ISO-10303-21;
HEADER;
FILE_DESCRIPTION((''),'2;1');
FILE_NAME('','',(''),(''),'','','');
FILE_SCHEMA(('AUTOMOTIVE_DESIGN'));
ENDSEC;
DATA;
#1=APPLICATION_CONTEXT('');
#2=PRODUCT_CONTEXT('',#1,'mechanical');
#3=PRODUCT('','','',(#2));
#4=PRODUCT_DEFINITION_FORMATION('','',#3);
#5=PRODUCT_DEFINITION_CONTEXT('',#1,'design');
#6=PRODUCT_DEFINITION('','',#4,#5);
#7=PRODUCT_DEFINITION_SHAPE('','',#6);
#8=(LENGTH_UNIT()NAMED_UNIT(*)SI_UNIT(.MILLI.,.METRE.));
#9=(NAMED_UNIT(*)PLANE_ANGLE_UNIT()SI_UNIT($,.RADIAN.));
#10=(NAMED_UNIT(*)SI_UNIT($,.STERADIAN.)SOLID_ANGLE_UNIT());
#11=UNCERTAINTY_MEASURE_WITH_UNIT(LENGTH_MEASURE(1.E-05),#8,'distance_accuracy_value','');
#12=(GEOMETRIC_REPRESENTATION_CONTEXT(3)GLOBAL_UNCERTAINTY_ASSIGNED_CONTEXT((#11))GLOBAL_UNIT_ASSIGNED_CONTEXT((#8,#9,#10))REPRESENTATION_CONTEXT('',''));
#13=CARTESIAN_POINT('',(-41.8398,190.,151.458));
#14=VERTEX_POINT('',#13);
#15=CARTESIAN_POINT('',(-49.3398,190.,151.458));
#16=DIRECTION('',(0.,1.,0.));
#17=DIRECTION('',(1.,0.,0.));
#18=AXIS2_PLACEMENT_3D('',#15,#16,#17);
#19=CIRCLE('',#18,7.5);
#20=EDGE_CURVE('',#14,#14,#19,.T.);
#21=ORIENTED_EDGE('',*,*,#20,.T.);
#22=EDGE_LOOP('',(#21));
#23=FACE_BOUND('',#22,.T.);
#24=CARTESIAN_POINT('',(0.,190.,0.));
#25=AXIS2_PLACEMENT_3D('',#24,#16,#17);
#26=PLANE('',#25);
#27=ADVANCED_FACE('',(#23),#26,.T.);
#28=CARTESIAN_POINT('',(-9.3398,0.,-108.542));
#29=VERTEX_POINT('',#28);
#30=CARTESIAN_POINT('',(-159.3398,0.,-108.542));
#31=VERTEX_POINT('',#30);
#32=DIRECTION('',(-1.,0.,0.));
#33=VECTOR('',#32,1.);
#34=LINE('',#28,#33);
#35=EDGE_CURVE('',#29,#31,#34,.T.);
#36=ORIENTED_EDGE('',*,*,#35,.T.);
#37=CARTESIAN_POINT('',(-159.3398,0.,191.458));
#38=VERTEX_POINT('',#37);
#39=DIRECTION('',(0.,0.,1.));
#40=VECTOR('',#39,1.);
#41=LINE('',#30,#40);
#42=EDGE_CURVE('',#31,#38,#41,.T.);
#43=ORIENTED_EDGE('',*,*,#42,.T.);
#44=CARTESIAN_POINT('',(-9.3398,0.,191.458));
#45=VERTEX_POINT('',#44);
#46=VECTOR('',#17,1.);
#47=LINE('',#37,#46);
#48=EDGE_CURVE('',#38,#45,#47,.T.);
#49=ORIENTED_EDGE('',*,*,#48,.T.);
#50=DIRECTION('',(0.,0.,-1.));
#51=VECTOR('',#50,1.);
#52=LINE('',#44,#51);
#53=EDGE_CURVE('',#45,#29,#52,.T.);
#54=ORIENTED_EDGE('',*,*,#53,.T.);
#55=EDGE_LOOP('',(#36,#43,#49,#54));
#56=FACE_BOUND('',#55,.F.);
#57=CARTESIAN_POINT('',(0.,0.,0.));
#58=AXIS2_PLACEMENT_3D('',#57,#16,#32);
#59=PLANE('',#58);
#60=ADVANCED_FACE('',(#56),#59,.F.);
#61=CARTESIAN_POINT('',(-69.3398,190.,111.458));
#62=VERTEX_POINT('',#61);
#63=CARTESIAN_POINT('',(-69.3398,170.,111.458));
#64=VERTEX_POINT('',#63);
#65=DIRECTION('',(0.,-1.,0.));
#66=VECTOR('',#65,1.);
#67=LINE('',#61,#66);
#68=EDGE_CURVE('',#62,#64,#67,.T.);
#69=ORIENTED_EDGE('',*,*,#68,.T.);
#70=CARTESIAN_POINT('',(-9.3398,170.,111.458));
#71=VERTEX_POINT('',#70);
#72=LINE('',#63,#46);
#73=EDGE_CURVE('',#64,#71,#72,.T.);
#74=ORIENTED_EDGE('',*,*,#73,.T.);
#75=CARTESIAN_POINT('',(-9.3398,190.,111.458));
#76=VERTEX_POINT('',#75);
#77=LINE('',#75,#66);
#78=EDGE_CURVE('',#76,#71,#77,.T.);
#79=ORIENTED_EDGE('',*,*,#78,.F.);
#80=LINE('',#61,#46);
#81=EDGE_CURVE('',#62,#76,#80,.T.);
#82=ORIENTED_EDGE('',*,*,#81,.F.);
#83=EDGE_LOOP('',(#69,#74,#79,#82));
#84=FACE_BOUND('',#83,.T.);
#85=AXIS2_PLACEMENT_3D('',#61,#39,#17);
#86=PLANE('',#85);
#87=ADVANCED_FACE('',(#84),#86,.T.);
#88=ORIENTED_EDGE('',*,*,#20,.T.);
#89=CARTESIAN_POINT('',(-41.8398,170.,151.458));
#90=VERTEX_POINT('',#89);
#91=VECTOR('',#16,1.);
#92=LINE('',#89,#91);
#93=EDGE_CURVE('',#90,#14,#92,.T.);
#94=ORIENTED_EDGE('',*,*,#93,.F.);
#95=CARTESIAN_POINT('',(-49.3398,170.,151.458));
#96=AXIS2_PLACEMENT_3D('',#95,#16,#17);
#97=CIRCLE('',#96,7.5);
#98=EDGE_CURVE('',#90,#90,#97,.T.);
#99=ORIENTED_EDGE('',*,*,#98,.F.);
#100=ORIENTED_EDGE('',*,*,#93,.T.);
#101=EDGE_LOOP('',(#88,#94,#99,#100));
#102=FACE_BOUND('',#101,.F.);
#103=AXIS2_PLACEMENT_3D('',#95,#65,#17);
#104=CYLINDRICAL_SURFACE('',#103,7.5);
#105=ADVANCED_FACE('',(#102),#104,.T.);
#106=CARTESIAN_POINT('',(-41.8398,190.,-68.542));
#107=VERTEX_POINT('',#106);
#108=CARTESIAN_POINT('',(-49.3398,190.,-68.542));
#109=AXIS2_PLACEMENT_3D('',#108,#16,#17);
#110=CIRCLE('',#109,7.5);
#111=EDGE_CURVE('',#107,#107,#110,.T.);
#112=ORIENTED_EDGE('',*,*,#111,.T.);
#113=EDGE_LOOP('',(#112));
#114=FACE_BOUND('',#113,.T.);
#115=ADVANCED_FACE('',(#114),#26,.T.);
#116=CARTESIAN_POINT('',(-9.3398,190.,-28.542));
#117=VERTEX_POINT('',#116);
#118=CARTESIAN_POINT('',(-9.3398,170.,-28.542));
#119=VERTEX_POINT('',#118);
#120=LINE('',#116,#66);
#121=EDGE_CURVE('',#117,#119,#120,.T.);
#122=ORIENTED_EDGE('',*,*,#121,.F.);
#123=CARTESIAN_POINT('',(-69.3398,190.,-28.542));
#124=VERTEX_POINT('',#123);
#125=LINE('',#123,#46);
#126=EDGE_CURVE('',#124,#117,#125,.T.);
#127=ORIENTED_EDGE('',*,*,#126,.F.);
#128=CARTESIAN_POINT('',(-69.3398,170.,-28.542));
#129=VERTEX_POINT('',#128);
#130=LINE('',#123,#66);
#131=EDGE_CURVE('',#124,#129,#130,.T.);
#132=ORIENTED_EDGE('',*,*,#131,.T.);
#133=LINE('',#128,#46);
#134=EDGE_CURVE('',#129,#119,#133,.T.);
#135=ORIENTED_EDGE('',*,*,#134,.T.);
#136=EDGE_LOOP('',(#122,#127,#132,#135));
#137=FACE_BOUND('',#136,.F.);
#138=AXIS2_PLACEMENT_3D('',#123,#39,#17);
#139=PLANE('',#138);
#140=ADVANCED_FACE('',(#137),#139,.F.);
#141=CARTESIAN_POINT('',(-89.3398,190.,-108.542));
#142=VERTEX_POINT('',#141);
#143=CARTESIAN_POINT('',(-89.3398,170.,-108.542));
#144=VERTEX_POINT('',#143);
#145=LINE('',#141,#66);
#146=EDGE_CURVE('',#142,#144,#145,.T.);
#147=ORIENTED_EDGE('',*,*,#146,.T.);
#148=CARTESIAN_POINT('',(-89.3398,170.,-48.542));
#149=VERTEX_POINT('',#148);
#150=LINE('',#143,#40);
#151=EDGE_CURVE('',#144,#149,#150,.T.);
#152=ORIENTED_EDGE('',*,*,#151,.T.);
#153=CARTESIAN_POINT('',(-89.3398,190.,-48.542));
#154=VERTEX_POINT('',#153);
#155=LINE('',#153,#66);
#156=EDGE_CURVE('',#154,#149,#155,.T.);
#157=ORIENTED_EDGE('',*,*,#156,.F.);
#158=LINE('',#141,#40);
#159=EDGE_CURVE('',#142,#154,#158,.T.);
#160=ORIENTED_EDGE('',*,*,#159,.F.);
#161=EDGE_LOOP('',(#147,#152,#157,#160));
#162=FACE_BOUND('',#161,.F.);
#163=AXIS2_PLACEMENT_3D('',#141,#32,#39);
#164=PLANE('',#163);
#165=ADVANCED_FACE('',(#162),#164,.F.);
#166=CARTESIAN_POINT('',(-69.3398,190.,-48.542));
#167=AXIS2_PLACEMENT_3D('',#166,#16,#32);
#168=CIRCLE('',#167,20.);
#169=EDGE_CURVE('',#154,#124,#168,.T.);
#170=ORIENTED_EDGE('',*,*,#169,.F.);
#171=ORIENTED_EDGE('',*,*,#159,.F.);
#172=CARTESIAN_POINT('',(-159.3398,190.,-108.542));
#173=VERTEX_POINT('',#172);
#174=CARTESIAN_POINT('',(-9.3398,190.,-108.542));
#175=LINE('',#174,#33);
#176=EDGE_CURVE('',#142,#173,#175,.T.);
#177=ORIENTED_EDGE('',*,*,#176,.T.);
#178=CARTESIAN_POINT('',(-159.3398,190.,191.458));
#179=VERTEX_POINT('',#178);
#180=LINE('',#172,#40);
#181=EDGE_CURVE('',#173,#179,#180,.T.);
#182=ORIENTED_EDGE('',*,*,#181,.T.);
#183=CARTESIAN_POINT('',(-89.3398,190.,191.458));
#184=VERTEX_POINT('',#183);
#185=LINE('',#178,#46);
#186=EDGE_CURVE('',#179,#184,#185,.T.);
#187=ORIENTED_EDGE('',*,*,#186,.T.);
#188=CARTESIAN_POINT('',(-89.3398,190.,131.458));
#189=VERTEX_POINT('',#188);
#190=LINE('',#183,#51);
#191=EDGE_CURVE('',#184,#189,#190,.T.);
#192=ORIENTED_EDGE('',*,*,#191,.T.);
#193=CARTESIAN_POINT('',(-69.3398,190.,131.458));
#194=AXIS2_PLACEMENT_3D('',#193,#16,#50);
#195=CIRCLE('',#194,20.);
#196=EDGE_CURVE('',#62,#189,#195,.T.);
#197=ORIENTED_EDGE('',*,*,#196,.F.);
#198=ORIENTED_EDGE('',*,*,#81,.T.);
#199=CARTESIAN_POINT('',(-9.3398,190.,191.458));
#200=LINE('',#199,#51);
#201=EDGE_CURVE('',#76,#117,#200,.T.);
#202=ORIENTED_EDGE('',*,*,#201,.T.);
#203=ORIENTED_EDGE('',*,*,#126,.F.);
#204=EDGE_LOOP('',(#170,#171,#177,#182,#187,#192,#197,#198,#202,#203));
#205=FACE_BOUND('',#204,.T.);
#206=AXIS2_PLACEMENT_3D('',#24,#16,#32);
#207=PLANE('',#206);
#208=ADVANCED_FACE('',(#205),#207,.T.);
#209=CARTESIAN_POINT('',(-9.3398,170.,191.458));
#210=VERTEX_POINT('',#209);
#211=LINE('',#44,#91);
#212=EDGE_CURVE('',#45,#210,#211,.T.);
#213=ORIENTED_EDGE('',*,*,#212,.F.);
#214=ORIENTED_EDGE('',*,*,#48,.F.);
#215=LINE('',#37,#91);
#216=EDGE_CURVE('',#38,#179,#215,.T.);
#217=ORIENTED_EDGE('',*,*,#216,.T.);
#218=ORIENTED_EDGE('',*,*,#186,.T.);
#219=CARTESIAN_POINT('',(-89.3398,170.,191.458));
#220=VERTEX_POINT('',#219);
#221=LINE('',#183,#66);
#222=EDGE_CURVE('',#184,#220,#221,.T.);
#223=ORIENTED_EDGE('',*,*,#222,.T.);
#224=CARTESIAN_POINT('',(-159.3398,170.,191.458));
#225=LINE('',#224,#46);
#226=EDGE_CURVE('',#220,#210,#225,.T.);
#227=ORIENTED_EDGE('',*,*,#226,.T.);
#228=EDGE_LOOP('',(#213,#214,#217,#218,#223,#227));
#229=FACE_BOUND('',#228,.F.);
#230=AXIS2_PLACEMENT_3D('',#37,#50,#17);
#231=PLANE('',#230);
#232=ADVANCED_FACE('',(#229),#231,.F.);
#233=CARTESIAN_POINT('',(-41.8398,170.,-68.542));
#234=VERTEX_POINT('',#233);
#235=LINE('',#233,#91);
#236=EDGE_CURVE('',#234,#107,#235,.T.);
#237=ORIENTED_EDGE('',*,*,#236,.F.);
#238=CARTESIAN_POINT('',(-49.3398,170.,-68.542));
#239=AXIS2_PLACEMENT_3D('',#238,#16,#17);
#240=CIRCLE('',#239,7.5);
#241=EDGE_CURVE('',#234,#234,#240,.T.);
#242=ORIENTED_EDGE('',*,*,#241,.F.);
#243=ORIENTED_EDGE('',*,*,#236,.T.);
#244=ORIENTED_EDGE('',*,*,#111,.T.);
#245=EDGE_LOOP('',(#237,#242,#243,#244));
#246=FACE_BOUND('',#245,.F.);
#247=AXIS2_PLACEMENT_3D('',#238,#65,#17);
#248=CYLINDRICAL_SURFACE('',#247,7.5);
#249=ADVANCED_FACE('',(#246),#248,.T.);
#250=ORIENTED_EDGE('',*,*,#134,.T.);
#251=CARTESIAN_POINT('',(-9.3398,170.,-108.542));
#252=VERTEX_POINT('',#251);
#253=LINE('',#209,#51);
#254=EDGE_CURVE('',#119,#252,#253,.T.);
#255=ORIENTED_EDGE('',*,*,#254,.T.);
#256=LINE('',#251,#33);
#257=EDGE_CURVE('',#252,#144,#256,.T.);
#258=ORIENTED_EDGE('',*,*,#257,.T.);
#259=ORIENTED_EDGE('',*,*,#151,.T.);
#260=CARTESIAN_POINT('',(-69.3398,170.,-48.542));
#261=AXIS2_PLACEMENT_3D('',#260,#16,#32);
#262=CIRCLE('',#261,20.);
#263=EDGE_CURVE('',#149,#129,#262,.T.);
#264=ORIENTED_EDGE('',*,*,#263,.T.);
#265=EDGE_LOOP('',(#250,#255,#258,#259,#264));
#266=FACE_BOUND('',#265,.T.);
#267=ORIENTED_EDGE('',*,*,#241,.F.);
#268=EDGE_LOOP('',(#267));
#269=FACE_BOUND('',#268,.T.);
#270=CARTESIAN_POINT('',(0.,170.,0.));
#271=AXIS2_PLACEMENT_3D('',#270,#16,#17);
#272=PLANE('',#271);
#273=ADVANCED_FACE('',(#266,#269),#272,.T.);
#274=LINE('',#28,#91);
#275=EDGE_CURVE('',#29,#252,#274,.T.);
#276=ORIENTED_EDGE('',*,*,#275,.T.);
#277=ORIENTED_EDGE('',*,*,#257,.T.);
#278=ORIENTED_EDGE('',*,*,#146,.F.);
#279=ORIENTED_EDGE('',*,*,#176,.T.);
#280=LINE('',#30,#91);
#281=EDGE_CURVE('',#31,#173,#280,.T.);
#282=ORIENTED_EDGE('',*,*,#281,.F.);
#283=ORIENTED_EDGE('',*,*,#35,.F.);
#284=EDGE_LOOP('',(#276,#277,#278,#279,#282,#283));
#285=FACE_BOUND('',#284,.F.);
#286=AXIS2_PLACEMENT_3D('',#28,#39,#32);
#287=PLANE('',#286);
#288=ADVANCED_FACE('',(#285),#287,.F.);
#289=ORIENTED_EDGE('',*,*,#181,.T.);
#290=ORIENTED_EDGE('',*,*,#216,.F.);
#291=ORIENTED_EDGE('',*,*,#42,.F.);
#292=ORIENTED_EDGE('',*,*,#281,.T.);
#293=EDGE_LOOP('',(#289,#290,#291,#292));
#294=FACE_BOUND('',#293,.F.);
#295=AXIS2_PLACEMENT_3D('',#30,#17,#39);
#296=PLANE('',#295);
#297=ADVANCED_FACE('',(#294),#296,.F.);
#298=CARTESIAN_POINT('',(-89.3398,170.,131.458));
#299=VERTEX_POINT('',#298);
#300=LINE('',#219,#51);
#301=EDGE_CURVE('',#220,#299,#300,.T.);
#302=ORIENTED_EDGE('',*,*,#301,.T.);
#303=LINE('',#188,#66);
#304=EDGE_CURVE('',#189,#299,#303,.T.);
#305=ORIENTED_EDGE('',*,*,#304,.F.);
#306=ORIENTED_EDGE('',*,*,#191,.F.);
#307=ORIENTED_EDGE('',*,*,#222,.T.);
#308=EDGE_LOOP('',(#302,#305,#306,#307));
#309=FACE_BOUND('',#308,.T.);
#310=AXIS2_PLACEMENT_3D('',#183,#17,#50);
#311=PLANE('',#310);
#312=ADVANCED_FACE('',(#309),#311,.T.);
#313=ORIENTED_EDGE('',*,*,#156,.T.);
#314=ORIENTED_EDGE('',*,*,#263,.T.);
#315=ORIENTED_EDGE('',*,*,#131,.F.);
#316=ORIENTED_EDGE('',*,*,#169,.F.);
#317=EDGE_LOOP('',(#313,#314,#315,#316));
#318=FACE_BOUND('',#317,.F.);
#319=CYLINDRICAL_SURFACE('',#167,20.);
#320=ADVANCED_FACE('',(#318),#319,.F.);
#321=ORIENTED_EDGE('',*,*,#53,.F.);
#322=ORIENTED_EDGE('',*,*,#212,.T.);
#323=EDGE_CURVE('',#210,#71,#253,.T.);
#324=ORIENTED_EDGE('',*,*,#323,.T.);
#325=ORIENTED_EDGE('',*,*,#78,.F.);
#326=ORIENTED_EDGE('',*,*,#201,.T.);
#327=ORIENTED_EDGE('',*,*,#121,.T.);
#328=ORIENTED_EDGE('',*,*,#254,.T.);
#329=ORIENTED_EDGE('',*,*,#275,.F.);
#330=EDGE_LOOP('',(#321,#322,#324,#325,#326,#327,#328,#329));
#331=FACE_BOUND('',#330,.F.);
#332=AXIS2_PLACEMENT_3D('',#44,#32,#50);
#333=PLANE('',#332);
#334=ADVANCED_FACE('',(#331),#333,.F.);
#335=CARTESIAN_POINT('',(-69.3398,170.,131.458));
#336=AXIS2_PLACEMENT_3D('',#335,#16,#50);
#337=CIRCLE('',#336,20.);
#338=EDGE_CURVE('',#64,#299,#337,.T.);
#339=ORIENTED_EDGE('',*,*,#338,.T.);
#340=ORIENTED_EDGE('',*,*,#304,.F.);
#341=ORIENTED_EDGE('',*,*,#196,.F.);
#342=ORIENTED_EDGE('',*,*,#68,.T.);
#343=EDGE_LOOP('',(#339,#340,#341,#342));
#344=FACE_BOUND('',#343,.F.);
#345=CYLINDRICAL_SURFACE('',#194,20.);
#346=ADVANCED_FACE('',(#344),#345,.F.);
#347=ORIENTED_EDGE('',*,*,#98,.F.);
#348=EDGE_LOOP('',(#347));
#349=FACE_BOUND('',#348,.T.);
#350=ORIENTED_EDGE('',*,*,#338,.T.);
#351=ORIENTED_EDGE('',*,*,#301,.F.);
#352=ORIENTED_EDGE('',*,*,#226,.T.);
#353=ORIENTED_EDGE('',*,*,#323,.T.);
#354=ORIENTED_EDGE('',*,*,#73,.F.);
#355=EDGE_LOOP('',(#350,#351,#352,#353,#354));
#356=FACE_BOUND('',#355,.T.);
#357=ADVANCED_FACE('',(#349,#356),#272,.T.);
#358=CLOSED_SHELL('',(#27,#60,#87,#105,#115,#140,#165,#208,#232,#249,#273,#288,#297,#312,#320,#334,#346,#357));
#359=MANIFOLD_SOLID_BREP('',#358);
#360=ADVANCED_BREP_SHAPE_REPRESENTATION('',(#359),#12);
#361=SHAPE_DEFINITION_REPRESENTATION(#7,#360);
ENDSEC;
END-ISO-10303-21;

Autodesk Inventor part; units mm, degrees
ref_plane "YZ Plane" through (0, 0, 0) normal (1, 0, 0) x (0, 1, 0)
ref_plane "XZ Plane" through (0, 0, 0) normal (0, 1, 0) x (-1, 0, 0)
ref_plane "XY Plane" through (0, 0, 0) normal (0, 0, 1) x (1, 0, 0)
sketch "Skizze1" plane through (0, 0, 0) normal (0, 1, 0) x (-1, 0, 0)
  line L0 (159.3398, 191.458) -> (9.3398, 191.458)
  line L1 (9.3398, 191.458) -> (9.3398, -108.542)
  line L2 (9.3398, -108.542) -> (159.3398, -108.542)
  line L3 (159.3398, -108.542) -> (159.3398, 191.458)
  point P0 (0, 0)
  dimension "d0" = 300
  dimension "d1" = 150
extrude "Extrusion1" add sketch "Skizze1" along normal blind 190
sketch "Skizze2" plane through (0, 190, 0) normal (0, 1, 0) x (1, 0, 0)
  line L0 (-9.3398, 108.542) -> (-159.3398, 108.542) projected
  line L1 (-159.3398, -191.458) -> (-9.3398, -191.458) projected
  line L2 (-9.3398, -191.458) -> (-9.3398, 108.542) projected
  line L3 (-9.3398, 108.542) -> (-159.3398, 108.542) projected
  line L4 (-159.3398, 108.542) -> (-159.3398, -191.458) projected
  line L5 (-9.3398, 108.542) -> (-89.3398, 108.542)
  line L6 (-89.3398, 108.542) -> (-89.3398, 48.542)
  line L7 (-69.3398, 28.542) -> (-9.3398, 28.542)
  line L8 (-9.3398, 28.542) -> (-9.3398, 108.542)
  line L9 (-9.3398, -191.458) -> (-9.3398, 108.542) projected
  line L10 (-9.3398, -191.458) -> (-89.3398, -191.458)
  line L11 (-89.3398, -191.458) -> (-89.3398, -131.458)
  line L12 (-69.3398, -111.458) -> (-9.3398, -111.458)
  line L13 (-9.3398, -111.458) -> (-9.3398, -191.458)
  arc A0 (-69.3398, -111.458) -> (-89.3398, -131.458) centre (-69.3398, -131.458) ccw
  arc A1 (-89.3398, 48.542) -> (-69.3398, 28.542) centre (-69.3398, 48.542) ccw
  point P0 (0, 0)
  point P1 (-89.3398, 28.542)
  point P2 (-89.3398, -111.458)
  dimension "d4" = 80
  dimension "d5" = 80
  dimension "d6" = 80
  dimension "d7" = 80
  dimension "d8" = 20
  dimension "d9" = 20
extrude "Extrusion2" cut sketch "Skizze2" against normal blind 20 contours L2 L7 A1 L6 L0 | L2 L1 L11 A0 L12
sketch "Skizze3" plane through (0, 170, 0) normal (0, 1, 0) x (1, 0, 0)
  line L0 (-9.3398, -111.458) -> (-9.3398, -191.458) projected
  line L1 (-69.3398, -111.458) -> (-9.3398, -111.458) projected
  arc A0 (-69.3398, -111.458) -> (-89.3398, -131.458) centre (-69.3398, -131.458) ccw projected
  line L2 (-89.3398, -191.458) -> (-89.3398, -131.458) projected
  line L3 (-9.3398, -191.458) -> (-89.3398, -191.458) projected
  line L4 (-9.3398, 108.542) -> (-9.3398, 28.542) projected
  line L5 (-89.3398, 108.542) -> (-9.3398, 108.542) projected
  line L6 (-89.3398, 48.542) -> (-89.3398, 108.542) projected
  arc A1 (-89.3398, 48.542) -> (-69.3398, 28.542) centre (-69.3398, 48.542) ccw projected
  line L7 (-9.3398, 28.542) -> (-69.3398, 28.542) projected
  circle A2 centre (-49.3398, -151.458) radius 7.5
  circle A3 centre (-49.3398, 68.542) radius 7.5
  point P0 (0, 0)
  dimension "d12" = 15
  dimension "d13" = 15
  dimension "d16" = 40
  dimension "d17" = 40
  dimension "d18" = 40
  dimension "d19" = 40
extrude "Extrusion3" add sketch "Skizze3" along normal blind 20 contours A2 | A3
properties part number "Baterie"
